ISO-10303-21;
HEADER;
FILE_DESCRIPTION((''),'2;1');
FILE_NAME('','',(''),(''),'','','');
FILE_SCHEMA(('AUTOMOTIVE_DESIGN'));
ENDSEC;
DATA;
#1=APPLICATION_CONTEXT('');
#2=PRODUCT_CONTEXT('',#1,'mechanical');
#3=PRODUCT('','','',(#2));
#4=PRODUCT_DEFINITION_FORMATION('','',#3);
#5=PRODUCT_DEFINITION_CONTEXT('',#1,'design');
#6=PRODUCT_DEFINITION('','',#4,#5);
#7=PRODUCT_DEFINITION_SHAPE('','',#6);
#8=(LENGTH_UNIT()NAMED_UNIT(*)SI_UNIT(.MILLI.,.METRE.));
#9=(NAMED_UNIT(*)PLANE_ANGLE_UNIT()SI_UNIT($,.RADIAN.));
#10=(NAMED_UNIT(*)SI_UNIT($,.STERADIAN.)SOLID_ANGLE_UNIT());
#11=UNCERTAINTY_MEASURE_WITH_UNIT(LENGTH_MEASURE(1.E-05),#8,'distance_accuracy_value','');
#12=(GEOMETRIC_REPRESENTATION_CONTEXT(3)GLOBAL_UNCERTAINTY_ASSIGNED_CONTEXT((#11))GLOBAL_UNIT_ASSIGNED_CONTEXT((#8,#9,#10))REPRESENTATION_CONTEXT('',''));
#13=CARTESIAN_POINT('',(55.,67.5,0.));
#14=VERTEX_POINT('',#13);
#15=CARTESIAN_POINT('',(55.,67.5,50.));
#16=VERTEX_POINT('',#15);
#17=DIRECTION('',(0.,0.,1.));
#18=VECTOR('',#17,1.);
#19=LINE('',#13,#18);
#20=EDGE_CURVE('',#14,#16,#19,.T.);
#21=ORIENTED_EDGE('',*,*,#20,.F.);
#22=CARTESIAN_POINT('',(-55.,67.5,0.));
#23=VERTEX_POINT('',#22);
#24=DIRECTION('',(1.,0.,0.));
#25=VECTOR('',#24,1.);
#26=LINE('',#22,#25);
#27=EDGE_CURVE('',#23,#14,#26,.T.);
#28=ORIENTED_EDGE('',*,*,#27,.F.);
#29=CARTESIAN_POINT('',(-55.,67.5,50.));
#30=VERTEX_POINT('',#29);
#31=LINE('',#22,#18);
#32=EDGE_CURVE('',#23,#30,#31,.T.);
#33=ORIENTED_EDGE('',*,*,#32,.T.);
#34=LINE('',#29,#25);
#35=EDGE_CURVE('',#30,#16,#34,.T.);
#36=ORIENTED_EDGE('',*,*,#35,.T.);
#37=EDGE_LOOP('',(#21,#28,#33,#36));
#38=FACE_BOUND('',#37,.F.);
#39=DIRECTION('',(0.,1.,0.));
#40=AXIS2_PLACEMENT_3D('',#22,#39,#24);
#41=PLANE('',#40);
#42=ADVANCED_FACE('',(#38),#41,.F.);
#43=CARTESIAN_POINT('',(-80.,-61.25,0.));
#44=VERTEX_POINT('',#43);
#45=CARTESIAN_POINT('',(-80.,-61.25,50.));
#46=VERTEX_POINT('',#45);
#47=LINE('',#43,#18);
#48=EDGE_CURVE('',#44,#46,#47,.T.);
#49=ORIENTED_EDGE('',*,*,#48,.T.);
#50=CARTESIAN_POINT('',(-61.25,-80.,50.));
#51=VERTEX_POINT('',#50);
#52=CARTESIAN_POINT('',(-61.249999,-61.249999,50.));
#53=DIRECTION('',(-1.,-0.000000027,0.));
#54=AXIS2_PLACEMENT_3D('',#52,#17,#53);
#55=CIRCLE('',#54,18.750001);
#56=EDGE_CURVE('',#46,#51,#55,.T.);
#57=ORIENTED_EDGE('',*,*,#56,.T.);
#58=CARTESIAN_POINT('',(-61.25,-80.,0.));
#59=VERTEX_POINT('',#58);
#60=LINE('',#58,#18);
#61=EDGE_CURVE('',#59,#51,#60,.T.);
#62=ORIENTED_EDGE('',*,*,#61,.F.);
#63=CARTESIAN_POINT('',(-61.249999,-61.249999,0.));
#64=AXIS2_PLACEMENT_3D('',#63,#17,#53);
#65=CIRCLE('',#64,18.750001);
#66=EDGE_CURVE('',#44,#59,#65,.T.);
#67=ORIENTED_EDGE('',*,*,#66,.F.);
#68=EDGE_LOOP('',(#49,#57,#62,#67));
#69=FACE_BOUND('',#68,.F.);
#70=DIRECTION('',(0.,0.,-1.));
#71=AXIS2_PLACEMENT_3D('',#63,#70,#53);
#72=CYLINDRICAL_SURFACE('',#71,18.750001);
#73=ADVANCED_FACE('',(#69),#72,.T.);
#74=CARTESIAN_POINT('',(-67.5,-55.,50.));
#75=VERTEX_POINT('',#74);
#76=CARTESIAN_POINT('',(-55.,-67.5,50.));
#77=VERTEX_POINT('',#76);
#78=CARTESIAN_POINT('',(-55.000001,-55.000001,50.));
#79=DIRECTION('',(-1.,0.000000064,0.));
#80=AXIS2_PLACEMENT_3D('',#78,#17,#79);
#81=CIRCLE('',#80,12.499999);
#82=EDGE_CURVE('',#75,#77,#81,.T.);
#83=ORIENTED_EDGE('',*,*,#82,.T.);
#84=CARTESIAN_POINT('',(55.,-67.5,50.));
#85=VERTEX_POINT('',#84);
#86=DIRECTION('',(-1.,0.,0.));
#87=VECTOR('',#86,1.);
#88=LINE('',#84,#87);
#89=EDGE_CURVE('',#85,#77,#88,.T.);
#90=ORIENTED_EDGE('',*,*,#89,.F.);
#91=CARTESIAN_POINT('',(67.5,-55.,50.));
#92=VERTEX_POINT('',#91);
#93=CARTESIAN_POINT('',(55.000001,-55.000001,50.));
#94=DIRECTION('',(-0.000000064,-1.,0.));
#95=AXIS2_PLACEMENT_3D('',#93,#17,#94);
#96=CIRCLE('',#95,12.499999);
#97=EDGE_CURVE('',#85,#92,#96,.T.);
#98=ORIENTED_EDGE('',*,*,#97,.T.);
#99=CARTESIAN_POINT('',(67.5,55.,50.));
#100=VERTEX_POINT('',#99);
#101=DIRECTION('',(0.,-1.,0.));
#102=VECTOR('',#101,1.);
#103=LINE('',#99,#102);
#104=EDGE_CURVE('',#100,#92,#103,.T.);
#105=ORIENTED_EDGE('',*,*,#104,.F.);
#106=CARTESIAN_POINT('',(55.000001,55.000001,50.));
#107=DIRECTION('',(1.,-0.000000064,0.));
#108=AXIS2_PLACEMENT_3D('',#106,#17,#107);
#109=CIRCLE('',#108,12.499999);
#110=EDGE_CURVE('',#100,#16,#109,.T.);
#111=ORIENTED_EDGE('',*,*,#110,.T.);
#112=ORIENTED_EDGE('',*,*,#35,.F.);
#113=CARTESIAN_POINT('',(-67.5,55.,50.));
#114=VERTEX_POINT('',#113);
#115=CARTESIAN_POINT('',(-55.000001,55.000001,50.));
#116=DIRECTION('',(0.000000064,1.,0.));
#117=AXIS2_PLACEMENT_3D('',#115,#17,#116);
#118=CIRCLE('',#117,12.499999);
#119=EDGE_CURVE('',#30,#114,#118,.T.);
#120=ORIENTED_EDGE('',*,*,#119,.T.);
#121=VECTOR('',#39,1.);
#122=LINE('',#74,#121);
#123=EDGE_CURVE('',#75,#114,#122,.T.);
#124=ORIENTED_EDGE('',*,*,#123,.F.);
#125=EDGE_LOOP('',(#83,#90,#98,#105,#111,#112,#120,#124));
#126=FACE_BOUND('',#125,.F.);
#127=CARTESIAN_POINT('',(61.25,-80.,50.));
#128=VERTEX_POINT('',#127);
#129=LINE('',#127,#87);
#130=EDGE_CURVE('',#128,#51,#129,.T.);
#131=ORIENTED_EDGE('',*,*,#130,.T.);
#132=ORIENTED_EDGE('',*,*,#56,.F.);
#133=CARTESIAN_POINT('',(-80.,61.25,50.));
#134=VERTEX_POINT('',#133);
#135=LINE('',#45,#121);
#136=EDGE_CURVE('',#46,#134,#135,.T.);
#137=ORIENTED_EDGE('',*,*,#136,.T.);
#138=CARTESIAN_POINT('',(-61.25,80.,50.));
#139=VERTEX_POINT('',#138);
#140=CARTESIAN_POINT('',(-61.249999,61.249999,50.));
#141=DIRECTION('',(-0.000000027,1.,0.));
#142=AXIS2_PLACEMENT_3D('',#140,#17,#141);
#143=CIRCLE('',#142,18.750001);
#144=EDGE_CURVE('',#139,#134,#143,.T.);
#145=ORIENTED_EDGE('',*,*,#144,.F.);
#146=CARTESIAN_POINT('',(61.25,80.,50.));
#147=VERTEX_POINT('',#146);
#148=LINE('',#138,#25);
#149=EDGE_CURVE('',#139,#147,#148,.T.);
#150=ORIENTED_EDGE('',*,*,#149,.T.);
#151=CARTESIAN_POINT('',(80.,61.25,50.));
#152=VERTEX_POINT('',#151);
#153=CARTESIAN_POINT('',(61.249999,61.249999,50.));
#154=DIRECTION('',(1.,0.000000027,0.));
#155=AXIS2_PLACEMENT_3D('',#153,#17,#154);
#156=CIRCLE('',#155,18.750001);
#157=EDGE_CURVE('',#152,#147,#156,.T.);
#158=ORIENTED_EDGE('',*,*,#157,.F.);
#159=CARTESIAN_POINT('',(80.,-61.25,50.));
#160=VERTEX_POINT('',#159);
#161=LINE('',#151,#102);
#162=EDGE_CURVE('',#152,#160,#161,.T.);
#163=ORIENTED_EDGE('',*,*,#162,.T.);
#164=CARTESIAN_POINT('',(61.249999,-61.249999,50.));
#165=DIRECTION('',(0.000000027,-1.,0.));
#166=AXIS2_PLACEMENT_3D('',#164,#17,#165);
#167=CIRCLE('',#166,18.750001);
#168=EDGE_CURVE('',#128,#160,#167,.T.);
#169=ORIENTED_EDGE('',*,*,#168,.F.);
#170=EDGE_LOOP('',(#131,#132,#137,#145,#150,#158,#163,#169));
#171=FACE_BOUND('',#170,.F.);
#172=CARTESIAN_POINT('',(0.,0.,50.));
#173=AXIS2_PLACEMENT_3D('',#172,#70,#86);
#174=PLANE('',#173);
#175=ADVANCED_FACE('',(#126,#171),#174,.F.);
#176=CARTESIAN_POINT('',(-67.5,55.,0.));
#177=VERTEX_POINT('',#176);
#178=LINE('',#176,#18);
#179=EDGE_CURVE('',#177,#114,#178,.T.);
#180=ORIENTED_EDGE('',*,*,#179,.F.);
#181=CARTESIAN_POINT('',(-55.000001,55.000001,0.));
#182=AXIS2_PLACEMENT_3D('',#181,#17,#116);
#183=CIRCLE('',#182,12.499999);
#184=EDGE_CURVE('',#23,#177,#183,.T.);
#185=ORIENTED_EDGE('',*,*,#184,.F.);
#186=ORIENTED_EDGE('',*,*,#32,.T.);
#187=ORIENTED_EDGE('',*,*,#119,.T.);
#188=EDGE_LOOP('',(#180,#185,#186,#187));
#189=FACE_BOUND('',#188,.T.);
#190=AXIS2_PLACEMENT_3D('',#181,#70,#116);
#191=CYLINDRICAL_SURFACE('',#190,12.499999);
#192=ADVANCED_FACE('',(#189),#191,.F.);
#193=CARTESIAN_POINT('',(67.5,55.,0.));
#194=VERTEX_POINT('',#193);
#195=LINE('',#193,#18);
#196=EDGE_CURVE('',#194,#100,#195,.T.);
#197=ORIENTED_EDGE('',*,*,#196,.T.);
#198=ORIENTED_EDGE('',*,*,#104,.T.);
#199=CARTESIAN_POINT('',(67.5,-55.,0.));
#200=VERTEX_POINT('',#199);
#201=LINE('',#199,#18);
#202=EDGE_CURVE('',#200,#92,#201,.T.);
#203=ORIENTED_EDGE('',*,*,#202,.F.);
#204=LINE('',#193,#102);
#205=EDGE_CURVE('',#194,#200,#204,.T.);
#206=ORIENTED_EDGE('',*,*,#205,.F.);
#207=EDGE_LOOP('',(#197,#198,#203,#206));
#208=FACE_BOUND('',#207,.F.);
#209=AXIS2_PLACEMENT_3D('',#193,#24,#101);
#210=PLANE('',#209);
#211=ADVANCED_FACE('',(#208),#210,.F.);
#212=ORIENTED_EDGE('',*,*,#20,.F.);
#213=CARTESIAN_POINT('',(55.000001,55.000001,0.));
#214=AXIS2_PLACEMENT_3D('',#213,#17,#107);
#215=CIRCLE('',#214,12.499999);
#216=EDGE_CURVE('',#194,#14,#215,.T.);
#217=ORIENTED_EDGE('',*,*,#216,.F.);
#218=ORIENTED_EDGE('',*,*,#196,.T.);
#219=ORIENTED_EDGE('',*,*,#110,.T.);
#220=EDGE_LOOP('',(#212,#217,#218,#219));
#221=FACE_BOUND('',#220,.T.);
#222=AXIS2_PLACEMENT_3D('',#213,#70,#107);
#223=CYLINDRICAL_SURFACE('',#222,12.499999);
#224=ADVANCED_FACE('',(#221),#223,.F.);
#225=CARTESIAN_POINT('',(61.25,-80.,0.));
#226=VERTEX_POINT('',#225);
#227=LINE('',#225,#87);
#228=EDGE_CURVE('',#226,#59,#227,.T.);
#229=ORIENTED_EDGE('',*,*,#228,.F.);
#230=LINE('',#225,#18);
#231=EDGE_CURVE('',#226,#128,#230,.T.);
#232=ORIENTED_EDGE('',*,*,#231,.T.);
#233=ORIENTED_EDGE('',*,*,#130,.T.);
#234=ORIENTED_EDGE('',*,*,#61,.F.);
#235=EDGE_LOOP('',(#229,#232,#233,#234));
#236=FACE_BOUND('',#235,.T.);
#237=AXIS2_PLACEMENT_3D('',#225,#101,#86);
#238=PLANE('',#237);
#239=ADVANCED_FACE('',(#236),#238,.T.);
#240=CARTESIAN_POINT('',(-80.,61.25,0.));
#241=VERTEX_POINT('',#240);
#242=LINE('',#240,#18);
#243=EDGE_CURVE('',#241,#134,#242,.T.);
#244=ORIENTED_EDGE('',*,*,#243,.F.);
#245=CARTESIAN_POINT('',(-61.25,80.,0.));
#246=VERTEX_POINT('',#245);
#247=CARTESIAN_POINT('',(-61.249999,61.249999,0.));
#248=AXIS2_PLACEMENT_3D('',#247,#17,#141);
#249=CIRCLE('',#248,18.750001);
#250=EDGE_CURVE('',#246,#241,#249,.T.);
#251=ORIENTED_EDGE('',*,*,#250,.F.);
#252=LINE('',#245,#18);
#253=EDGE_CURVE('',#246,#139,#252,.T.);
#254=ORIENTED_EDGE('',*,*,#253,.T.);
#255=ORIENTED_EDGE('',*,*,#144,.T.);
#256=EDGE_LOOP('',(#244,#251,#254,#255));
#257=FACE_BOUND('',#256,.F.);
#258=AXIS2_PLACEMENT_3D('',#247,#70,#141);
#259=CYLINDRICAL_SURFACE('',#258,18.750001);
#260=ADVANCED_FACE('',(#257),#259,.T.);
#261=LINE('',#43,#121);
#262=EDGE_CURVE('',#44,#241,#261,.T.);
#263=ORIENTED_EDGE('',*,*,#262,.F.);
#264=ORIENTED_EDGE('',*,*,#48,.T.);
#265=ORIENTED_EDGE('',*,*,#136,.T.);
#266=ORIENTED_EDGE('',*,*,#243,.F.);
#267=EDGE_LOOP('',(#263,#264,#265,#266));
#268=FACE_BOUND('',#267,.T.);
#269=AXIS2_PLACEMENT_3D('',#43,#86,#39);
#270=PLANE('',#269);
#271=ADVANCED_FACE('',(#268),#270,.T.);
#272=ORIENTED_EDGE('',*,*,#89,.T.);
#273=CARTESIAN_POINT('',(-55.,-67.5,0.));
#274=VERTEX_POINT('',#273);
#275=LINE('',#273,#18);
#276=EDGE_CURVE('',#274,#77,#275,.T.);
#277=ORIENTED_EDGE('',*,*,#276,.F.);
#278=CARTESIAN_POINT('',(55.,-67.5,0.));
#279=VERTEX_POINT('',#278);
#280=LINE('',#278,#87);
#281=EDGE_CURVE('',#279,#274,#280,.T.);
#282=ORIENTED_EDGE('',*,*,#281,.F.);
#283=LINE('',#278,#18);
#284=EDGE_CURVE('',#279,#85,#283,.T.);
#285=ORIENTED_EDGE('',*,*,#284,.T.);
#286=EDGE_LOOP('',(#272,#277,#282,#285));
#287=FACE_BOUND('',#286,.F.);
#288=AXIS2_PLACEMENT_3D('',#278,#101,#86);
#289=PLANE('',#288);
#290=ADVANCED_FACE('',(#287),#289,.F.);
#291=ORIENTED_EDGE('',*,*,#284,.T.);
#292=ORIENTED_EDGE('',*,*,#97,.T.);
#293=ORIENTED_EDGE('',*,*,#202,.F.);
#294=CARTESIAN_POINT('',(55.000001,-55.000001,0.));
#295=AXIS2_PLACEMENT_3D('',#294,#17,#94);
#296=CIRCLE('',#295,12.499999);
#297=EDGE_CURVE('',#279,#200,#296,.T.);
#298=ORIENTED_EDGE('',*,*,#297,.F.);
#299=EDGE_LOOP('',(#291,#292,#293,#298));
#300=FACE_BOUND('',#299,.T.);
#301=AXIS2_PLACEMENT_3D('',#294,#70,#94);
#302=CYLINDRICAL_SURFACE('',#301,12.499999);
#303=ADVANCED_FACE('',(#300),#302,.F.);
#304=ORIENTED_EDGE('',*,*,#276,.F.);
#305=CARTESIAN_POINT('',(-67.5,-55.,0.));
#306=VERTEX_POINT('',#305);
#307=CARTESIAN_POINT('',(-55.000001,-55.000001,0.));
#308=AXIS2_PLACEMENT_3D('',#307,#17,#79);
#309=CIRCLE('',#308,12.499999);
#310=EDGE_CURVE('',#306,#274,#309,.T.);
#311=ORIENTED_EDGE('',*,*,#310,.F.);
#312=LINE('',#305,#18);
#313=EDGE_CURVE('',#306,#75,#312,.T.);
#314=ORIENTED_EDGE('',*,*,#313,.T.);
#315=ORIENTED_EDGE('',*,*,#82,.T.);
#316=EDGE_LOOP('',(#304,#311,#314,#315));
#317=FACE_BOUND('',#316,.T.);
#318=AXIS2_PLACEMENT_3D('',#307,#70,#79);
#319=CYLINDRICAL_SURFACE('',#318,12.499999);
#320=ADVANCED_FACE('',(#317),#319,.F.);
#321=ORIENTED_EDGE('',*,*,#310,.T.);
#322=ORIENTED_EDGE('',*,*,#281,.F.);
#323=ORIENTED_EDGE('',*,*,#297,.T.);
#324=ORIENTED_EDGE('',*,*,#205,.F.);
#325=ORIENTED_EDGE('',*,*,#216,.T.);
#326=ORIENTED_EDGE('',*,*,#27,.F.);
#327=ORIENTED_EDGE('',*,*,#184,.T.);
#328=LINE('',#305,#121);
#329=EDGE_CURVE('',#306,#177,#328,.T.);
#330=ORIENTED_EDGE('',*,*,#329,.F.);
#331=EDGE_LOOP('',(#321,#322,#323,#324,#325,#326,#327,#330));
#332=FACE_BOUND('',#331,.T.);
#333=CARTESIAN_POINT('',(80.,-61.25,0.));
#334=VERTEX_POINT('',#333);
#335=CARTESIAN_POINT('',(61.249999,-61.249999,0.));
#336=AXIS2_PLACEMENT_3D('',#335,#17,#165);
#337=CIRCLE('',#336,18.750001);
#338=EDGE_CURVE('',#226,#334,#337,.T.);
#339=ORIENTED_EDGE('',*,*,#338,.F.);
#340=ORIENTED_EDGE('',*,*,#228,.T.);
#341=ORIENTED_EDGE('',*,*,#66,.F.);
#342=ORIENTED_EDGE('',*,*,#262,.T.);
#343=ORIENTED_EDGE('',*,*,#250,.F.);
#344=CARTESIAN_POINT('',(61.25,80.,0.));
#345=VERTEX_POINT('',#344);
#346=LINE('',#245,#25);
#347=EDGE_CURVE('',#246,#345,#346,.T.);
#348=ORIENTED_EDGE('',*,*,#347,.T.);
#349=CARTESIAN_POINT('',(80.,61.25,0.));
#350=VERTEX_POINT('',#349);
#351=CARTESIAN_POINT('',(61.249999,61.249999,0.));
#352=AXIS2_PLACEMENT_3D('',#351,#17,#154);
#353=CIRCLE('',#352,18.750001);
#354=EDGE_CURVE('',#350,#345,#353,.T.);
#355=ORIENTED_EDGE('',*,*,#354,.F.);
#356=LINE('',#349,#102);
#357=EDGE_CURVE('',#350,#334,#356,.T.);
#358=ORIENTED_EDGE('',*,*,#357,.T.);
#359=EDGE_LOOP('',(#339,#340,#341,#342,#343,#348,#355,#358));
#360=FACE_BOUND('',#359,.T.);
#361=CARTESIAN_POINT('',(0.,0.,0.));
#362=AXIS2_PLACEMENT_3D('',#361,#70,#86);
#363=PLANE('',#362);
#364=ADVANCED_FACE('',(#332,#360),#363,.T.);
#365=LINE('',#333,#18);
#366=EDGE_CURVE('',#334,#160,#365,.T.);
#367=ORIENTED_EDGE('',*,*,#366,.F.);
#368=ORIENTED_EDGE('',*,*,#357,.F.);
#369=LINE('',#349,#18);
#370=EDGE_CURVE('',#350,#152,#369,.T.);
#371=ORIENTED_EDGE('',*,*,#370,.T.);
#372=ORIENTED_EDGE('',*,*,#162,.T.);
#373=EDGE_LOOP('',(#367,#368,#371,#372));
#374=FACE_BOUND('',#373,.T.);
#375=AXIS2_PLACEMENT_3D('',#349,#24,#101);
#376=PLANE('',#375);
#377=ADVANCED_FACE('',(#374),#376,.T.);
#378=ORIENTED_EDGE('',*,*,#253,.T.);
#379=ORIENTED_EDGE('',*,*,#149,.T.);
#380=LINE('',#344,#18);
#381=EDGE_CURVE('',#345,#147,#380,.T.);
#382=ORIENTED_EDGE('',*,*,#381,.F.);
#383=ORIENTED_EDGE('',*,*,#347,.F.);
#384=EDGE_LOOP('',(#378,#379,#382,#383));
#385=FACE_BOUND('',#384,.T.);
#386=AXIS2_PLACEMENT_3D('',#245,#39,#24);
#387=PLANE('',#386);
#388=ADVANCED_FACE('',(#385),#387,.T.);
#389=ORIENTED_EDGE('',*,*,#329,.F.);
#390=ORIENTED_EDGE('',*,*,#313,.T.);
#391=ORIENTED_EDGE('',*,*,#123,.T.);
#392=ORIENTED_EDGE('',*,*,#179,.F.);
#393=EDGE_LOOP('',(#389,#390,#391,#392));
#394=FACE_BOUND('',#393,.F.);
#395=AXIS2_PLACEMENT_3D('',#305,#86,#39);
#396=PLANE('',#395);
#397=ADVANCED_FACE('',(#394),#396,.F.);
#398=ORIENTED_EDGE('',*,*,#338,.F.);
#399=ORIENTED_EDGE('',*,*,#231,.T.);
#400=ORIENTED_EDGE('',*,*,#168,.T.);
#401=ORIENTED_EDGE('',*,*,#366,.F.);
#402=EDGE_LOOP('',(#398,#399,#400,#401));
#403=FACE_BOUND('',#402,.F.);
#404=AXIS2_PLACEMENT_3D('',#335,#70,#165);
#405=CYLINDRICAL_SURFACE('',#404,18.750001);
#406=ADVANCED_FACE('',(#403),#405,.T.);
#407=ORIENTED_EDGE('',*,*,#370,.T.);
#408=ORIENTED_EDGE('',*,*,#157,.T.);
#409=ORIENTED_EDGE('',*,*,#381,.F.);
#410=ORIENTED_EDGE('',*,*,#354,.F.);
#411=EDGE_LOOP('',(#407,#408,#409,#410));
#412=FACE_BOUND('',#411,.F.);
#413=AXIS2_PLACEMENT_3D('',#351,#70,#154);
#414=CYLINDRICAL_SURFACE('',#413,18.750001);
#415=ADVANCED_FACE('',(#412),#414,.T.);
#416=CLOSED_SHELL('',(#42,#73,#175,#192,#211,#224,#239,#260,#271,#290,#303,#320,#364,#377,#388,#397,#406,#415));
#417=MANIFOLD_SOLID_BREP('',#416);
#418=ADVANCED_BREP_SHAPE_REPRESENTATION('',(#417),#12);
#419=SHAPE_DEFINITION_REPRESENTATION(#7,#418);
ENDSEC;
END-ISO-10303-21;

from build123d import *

# Parameters (mm, degrees)
EXTRUDE_DEPTH = 50


with BuildPart() as part:
    # Sketch → Extrude (new body)
    with BuildSketch(Plane.XY):
        with BuildLine():
            Line((-61.25, 80), (61.25, 80))
            ThreePointArc((80, 61.25), (74.508252, 74.508252), (61.25, 80))
            Line((80, 61.25), (80, -61.25))
            ThreePointArc((61.25, -80), (74.508252, -74.508252), (80, -61.25))
            Line((61.25, -80), (-61.25, -80))
            ThreePointArc((-80, -61.25), (-74.508252, -74.508252), (-61.25, -80))
            Line((-80, -61.25), (-80, 61.25))
            ThreePointArc((-61.25, 80), (-74.508252, 74.508252), (-80, 61.25))
        make_face()
        with BuildLine():
            Line((-55, 67.5), (55, 67.5))
            ThreePointArc((67.5, 55), (63.838835, 63.838835), (55, 67.5))
            Line((67.5, 55), (67.5, -55))
            ThreePointArc((55, -67.5), (63.838835, -63.838835), (67.5, -55))
            Line((55, -67.5), (-55, -67.5))
            ThreePointArc((-67.5, -55), (-63.838835, -63.838835), (-55, -67.5))
            Line((-67.5, -55), (-67.5, 55))
            ThreePointArc((-55, 67.5), (-63.838835, 63.838835), (-67.5, 55))
        make_face(mode=Mode.SUBTRACT)
    extrude(amount=EXTRUDE_DEPTH)


solid = part.part
